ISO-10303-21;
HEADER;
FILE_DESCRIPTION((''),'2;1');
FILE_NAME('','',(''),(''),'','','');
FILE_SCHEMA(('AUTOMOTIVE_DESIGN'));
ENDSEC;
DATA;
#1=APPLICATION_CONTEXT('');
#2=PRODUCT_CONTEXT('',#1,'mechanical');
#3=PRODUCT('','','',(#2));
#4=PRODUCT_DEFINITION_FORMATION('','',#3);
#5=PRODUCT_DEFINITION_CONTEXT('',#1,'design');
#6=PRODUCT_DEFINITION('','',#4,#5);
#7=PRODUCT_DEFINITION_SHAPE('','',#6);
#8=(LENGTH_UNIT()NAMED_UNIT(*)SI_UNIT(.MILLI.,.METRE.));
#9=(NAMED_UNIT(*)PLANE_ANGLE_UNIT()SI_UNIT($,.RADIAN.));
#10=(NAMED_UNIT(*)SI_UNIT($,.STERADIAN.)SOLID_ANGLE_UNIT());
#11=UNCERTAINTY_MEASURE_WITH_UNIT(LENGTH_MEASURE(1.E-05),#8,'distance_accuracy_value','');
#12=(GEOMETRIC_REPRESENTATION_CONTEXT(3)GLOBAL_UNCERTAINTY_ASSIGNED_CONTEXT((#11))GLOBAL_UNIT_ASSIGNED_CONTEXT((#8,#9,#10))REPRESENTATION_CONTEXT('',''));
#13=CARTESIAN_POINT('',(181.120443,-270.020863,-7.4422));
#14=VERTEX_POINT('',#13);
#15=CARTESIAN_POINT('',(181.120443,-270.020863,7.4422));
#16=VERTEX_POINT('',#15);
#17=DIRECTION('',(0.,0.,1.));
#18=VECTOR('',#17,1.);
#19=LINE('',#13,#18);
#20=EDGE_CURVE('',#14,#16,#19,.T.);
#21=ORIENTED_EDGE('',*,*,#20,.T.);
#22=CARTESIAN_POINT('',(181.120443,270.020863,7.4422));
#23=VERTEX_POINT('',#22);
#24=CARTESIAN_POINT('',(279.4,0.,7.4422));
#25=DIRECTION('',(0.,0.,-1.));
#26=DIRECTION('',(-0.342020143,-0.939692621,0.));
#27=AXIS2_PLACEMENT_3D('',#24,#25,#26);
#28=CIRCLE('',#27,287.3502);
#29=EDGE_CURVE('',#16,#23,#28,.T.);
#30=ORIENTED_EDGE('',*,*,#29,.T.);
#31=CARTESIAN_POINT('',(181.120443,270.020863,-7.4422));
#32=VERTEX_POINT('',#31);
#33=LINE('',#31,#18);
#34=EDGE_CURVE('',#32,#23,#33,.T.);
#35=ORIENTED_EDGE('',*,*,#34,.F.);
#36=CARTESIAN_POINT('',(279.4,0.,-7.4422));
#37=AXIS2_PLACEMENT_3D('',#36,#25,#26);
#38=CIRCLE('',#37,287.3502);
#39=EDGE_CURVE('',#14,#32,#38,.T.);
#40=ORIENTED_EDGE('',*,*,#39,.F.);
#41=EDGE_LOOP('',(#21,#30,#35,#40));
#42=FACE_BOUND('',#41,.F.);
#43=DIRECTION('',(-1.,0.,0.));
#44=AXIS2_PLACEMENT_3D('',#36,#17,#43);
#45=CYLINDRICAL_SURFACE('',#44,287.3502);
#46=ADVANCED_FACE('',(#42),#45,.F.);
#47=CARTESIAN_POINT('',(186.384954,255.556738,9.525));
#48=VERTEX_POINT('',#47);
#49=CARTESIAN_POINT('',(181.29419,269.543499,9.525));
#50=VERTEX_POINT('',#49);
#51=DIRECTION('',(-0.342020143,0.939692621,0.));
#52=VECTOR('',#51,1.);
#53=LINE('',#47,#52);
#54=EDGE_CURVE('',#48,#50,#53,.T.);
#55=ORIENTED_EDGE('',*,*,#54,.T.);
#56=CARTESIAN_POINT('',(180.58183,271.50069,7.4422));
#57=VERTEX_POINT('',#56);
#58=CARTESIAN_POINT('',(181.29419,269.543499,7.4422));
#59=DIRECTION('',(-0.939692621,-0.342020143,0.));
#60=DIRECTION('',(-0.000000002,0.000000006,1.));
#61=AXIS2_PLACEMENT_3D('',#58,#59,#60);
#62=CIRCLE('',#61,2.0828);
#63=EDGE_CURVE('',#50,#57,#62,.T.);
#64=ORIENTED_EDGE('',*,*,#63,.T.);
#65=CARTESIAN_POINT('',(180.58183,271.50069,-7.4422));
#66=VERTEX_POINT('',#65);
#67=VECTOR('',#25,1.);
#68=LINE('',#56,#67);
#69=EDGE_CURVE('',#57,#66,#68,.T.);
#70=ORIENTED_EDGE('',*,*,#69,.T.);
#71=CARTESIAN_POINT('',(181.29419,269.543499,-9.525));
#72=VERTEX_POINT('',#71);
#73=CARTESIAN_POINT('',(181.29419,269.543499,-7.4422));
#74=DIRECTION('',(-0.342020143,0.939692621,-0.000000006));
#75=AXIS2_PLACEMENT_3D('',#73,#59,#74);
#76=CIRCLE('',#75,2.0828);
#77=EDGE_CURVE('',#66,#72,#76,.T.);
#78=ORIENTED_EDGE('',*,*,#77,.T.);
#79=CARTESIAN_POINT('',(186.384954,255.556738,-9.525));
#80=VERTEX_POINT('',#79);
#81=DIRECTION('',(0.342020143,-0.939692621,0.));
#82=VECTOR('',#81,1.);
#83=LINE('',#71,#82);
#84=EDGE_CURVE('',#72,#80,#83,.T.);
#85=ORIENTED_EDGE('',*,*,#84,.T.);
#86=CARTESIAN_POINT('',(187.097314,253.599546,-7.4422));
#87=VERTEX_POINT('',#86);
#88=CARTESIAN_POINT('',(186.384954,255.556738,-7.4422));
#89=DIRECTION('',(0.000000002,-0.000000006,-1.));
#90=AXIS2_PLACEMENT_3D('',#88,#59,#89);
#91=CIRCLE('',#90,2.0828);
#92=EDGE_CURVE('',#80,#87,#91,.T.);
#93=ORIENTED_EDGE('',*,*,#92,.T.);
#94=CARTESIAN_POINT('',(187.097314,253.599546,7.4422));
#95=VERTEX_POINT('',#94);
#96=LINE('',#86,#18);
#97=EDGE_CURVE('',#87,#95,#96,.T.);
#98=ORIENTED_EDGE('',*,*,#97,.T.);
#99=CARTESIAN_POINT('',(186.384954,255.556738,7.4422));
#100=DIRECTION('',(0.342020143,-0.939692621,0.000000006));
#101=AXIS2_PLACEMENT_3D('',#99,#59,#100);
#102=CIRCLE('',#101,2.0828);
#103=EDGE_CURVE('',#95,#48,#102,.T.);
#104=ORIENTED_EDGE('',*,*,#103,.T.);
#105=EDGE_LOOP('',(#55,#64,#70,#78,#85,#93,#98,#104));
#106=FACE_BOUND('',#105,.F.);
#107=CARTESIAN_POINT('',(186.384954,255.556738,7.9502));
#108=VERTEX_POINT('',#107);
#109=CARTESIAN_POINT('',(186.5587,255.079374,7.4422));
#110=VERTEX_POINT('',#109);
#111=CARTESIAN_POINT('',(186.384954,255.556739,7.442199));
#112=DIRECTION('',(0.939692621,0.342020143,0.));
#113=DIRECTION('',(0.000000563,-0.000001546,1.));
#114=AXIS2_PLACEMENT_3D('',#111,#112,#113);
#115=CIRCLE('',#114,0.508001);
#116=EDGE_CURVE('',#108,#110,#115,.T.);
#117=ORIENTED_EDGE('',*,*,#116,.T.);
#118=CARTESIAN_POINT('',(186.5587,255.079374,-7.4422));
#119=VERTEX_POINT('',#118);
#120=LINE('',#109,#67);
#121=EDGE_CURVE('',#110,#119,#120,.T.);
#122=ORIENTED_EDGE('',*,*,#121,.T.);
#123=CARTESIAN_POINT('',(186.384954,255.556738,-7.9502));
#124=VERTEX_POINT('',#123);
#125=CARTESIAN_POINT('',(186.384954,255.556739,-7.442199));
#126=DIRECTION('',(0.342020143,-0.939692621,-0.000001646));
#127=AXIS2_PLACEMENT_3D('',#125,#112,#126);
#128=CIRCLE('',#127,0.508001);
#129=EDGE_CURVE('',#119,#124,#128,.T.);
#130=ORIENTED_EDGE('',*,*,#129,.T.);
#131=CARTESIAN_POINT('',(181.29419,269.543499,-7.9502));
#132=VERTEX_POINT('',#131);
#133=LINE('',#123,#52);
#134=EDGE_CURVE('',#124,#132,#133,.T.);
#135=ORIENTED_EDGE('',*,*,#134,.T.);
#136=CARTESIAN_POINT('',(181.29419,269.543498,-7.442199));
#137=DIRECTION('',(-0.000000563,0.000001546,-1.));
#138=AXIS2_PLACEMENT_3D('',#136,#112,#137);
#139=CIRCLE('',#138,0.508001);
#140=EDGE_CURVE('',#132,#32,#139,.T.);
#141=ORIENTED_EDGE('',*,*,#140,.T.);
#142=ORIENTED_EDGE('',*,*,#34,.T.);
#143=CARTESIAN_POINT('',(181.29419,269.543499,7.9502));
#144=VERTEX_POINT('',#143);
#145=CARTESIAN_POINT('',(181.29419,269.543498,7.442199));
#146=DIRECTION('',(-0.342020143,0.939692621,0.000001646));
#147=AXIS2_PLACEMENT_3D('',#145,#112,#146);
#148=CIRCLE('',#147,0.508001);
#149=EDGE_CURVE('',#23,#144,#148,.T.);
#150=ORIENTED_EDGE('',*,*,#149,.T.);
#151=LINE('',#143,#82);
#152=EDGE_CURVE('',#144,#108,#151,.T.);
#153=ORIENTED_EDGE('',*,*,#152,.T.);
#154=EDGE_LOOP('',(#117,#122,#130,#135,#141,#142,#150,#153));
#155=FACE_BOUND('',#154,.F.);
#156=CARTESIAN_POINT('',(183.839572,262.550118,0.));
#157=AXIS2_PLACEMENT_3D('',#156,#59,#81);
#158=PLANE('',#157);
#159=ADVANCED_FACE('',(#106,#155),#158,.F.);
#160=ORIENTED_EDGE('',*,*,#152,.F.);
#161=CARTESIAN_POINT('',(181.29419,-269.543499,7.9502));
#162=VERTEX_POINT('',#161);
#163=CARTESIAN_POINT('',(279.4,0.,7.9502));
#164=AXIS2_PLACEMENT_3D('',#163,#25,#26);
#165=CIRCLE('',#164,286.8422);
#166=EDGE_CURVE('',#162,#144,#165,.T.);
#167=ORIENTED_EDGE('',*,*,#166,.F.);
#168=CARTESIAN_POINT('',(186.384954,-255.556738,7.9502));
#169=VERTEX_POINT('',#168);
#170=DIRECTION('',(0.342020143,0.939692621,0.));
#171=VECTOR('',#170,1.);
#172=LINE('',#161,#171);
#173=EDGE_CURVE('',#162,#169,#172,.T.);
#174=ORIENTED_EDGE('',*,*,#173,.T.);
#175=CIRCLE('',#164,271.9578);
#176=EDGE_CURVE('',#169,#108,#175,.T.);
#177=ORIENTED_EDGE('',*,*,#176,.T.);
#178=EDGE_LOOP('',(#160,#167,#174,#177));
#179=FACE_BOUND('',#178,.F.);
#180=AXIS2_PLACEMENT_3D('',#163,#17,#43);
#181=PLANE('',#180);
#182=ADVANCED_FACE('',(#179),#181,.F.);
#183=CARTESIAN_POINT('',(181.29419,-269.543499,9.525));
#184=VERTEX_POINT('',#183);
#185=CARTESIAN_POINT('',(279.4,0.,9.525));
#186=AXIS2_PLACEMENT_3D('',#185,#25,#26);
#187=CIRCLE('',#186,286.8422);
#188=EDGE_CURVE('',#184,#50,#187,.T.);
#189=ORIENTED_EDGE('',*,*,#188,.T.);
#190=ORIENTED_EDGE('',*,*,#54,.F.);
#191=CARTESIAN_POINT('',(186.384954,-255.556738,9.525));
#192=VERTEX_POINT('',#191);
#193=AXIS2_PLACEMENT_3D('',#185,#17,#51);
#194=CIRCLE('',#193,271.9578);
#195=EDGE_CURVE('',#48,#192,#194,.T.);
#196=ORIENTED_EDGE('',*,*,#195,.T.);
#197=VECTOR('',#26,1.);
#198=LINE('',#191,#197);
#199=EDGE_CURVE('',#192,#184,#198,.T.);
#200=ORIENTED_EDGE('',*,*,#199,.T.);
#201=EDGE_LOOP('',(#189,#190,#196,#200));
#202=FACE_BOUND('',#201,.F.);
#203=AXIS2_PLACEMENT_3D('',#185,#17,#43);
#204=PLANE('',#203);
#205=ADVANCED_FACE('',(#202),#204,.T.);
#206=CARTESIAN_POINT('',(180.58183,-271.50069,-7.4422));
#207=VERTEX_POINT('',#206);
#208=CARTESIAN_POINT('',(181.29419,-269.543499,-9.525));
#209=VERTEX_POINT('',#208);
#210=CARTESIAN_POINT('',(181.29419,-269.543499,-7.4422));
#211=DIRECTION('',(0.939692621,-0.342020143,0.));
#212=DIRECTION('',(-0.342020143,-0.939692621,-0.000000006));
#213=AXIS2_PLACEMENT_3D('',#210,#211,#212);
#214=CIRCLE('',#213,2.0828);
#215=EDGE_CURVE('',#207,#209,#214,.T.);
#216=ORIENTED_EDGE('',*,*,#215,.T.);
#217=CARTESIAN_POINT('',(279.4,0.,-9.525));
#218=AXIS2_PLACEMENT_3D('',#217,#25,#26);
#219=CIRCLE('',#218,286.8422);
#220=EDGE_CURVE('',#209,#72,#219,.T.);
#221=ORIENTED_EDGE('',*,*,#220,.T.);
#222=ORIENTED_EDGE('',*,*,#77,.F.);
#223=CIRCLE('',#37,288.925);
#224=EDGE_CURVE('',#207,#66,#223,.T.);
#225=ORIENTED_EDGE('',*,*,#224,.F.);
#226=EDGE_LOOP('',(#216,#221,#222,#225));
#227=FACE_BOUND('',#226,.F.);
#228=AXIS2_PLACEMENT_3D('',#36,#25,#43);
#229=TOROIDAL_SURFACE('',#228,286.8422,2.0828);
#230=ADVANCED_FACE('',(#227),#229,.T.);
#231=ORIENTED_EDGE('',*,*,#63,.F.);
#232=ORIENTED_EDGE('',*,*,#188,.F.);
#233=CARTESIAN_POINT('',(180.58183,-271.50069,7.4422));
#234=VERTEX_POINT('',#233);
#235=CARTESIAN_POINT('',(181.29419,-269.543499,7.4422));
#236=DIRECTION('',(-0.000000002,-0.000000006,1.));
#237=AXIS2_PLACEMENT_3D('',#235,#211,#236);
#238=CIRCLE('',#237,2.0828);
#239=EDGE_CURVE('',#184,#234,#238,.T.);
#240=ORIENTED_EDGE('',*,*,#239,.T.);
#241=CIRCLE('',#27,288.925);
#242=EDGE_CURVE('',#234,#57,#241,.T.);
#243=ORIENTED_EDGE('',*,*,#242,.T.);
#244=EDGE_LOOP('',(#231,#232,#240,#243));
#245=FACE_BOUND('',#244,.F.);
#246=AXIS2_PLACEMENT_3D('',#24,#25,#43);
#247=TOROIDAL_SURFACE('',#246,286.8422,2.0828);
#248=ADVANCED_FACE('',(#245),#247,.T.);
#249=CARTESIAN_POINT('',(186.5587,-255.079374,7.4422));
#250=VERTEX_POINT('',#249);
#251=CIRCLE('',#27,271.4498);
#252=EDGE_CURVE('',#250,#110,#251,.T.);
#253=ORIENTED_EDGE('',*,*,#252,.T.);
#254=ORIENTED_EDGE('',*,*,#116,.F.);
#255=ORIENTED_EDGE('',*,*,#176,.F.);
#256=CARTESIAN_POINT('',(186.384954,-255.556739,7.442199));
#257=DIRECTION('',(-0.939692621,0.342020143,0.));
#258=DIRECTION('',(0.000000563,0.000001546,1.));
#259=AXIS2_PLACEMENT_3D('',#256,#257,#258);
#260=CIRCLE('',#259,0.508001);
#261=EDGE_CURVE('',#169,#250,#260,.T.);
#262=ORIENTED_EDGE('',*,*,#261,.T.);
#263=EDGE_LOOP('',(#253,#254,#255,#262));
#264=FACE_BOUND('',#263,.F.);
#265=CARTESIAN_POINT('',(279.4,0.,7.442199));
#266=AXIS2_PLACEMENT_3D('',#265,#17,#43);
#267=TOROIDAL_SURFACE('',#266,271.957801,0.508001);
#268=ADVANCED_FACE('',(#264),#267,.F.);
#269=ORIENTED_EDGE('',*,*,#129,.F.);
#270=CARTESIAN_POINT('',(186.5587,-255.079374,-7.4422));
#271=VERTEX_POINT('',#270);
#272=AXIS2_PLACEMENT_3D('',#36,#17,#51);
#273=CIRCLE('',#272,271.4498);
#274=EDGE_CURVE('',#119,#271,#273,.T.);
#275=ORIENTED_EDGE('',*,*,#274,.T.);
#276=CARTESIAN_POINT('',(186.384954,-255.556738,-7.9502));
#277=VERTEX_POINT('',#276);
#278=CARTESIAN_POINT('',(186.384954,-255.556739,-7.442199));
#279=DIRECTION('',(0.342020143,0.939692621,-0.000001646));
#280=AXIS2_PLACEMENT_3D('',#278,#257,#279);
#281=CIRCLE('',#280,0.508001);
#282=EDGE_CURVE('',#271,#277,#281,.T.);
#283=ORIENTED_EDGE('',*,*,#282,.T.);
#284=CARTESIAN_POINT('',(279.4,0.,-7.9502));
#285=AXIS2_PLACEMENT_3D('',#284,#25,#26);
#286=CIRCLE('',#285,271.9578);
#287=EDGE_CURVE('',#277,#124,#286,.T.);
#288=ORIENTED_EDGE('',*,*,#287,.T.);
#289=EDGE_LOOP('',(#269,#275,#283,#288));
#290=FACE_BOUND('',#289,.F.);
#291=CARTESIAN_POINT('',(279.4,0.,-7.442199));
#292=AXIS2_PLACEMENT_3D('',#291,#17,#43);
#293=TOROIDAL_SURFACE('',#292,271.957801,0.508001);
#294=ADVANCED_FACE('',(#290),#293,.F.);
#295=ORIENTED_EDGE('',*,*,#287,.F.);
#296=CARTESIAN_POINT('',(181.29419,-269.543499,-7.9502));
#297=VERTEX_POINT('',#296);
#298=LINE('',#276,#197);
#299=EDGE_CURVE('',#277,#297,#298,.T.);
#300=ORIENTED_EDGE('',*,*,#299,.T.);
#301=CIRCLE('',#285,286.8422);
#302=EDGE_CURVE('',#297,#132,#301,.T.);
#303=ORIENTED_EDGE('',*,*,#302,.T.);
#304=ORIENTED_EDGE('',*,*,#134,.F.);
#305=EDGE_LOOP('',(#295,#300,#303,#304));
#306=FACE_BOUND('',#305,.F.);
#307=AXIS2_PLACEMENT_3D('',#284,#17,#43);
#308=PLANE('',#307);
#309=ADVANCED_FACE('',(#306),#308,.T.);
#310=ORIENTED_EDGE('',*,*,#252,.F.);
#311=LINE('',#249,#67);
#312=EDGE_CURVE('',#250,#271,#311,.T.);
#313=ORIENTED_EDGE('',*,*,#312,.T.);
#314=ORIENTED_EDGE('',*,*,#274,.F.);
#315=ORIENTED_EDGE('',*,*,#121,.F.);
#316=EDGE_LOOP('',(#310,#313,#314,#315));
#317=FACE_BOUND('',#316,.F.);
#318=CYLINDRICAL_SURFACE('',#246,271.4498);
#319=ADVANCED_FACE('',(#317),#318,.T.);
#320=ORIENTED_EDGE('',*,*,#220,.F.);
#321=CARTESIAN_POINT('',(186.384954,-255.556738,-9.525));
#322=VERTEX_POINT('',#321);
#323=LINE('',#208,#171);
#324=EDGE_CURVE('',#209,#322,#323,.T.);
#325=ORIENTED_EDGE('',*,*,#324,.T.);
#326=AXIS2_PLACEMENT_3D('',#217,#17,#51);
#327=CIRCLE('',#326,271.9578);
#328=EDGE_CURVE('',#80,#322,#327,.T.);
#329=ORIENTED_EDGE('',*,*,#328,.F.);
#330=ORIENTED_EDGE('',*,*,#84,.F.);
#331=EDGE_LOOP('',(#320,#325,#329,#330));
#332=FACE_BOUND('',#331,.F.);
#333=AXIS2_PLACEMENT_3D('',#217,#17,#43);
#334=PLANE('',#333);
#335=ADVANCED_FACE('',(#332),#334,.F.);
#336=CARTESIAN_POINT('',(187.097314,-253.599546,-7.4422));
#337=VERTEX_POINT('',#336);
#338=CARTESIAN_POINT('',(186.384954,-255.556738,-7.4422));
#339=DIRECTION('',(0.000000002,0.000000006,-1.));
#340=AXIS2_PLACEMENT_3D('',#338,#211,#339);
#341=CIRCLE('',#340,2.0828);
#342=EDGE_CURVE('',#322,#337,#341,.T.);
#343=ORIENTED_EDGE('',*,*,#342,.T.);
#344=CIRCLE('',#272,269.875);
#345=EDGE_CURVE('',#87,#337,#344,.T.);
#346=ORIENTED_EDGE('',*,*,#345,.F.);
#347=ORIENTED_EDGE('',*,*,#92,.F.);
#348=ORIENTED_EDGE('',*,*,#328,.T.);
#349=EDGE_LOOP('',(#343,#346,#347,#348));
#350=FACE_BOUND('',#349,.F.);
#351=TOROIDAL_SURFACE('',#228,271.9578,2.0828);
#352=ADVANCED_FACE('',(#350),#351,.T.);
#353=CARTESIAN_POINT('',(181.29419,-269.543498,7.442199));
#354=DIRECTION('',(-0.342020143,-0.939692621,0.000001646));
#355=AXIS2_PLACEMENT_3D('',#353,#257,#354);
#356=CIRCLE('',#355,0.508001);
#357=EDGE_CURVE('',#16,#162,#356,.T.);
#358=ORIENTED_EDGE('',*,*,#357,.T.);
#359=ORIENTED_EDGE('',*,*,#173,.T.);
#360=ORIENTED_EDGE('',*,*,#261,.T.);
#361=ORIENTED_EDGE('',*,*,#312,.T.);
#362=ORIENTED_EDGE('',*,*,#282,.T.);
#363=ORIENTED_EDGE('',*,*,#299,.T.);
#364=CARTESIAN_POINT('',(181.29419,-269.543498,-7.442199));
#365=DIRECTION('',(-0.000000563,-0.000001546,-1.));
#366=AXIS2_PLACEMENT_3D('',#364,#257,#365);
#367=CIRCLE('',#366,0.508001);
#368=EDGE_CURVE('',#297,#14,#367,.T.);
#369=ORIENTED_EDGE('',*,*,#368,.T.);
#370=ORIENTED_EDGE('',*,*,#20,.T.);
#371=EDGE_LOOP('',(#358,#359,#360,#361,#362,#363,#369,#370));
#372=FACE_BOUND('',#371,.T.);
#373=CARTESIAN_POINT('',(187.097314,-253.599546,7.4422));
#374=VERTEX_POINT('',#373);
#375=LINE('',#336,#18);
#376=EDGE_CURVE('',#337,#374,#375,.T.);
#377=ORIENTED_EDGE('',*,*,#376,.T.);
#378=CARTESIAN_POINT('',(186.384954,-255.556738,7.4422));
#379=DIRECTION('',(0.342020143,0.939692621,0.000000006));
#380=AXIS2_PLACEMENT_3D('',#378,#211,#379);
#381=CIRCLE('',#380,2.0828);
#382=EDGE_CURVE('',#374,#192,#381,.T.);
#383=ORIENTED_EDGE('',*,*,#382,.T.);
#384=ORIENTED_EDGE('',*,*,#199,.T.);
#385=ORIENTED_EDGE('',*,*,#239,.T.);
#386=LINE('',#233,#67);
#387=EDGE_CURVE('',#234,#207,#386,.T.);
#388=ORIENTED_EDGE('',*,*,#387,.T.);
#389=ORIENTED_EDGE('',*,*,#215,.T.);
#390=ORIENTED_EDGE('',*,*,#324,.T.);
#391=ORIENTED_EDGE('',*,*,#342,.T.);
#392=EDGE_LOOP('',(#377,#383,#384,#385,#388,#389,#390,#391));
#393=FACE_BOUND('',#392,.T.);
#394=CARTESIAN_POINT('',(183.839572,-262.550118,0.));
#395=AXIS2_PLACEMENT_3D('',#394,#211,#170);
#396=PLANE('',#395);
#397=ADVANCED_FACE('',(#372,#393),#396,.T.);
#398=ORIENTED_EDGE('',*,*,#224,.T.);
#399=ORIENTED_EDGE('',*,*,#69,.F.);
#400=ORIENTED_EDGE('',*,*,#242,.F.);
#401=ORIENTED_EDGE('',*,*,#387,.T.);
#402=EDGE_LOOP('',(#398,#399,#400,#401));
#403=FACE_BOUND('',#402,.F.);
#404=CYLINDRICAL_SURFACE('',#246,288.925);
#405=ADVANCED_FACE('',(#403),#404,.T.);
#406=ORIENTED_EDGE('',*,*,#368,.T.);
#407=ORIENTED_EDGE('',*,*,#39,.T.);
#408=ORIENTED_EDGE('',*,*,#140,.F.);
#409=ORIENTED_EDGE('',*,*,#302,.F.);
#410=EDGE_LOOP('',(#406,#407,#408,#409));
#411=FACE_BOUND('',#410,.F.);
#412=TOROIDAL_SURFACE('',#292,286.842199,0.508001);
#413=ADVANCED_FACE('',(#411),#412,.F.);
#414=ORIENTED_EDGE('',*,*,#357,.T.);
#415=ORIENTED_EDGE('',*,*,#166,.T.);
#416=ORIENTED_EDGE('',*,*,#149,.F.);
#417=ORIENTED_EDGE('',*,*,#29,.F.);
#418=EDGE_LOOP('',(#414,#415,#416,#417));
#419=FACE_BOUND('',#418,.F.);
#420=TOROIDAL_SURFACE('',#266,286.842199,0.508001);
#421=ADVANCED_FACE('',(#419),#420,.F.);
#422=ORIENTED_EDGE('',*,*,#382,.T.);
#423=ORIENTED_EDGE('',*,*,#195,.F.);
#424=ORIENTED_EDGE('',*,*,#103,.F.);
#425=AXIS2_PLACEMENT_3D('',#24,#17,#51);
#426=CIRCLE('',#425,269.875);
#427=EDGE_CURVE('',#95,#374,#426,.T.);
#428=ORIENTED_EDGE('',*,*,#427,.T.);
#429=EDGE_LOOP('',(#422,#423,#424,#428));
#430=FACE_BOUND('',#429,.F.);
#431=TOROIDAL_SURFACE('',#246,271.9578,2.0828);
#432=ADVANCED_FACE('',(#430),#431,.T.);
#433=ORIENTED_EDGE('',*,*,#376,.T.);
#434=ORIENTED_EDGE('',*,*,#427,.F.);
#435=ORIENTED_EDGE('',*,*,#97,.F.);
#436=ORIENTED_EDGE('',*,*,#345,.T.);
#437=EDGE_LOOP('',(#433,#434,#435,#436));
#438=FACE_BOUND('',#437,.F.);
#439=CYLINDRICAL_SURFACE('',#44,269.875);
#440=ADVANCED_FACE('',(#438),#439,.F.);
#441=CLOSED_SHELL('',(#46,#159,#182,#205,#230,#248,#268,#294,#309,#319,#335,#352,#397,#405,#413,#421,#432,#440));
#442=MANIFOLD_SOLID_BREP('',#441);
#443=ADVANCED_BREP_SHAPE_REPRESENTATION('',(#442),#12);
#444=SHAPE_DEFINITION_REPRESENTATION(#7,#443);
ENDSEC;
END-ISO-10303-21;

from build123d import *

# Parameters (mm, degrees)
F1_ANGLE = 140


with BuildPart() as f1:
    # F0 (on Front) → F1 (revolve, symmetric)
    with BuildSketch(Plane.XZ) as f1_sk:
        with BuildLine():
            Line((-7.4422, -9.525), (7.4422, -9.525))
            ThreePointArc((7.4422, -9.525), (8.914962, -8.914962), (9.525, -7.4422))
            Line((9.525, -7.4422), (9.525, 7.4422))
            ThreePointArc((9.525, 7.4422), (8.914962, 8.914962), (7.4422, 9.525))
            Line((7.4422, 9.525), (-7.4422, 9.525))
            ThreePointArc((-7.4422, 9.525), (-8.914962, 8.914962), (-9.525, 7.4422))
            Line((-9.525, 7.4422), (-9.525, -7.4422))
            ThreePointArc((-9.525, -7.4422), (-8.914962, -8.914962), (-7.4422, -9.525))
        make_face()
        with BuildLine():
            ThreePointArc((7.9502, -7.4422), (7.80141, -7.80141), (7.4422, -7.9502))
            Line((7.4422, -7.9502), (-7.4422, -7.9502))
            ThreePointArc((-7.4422, -7.9502), (-7.80141, -7.80141), (-7.9502, -7.4422))
            Line((-7.9502, -7.4422), (-7.9502, 7.4422))
            ThreePointArc((-7.9502, 7.4422), (-7.80141, 7.80141), (-7.4422, 7.9502))
            Line((-7.4422, 7.9502), (7.4422, 7.9502))
            ThreePointArc((7.4422, 7.9502), (7.80141, 7.80141), (7.9502, 7.4422))
            Line((7.9502, 7.4422), (7.9502, -7.4422))
        make_face(mode=Mode.SUBTRACT)
    revolve(axis=Axis((279.4, 0, -3.901474), (0, 0, -1)), revolution_arc=F1_ANGLE / 2)
    revolve(f1_sk.sketch, axis=Axis((279.4, 0, -3.901474), (0, 0, 1)), revolution_arc=F1_ANGLE / 2)


solid = f1.part
